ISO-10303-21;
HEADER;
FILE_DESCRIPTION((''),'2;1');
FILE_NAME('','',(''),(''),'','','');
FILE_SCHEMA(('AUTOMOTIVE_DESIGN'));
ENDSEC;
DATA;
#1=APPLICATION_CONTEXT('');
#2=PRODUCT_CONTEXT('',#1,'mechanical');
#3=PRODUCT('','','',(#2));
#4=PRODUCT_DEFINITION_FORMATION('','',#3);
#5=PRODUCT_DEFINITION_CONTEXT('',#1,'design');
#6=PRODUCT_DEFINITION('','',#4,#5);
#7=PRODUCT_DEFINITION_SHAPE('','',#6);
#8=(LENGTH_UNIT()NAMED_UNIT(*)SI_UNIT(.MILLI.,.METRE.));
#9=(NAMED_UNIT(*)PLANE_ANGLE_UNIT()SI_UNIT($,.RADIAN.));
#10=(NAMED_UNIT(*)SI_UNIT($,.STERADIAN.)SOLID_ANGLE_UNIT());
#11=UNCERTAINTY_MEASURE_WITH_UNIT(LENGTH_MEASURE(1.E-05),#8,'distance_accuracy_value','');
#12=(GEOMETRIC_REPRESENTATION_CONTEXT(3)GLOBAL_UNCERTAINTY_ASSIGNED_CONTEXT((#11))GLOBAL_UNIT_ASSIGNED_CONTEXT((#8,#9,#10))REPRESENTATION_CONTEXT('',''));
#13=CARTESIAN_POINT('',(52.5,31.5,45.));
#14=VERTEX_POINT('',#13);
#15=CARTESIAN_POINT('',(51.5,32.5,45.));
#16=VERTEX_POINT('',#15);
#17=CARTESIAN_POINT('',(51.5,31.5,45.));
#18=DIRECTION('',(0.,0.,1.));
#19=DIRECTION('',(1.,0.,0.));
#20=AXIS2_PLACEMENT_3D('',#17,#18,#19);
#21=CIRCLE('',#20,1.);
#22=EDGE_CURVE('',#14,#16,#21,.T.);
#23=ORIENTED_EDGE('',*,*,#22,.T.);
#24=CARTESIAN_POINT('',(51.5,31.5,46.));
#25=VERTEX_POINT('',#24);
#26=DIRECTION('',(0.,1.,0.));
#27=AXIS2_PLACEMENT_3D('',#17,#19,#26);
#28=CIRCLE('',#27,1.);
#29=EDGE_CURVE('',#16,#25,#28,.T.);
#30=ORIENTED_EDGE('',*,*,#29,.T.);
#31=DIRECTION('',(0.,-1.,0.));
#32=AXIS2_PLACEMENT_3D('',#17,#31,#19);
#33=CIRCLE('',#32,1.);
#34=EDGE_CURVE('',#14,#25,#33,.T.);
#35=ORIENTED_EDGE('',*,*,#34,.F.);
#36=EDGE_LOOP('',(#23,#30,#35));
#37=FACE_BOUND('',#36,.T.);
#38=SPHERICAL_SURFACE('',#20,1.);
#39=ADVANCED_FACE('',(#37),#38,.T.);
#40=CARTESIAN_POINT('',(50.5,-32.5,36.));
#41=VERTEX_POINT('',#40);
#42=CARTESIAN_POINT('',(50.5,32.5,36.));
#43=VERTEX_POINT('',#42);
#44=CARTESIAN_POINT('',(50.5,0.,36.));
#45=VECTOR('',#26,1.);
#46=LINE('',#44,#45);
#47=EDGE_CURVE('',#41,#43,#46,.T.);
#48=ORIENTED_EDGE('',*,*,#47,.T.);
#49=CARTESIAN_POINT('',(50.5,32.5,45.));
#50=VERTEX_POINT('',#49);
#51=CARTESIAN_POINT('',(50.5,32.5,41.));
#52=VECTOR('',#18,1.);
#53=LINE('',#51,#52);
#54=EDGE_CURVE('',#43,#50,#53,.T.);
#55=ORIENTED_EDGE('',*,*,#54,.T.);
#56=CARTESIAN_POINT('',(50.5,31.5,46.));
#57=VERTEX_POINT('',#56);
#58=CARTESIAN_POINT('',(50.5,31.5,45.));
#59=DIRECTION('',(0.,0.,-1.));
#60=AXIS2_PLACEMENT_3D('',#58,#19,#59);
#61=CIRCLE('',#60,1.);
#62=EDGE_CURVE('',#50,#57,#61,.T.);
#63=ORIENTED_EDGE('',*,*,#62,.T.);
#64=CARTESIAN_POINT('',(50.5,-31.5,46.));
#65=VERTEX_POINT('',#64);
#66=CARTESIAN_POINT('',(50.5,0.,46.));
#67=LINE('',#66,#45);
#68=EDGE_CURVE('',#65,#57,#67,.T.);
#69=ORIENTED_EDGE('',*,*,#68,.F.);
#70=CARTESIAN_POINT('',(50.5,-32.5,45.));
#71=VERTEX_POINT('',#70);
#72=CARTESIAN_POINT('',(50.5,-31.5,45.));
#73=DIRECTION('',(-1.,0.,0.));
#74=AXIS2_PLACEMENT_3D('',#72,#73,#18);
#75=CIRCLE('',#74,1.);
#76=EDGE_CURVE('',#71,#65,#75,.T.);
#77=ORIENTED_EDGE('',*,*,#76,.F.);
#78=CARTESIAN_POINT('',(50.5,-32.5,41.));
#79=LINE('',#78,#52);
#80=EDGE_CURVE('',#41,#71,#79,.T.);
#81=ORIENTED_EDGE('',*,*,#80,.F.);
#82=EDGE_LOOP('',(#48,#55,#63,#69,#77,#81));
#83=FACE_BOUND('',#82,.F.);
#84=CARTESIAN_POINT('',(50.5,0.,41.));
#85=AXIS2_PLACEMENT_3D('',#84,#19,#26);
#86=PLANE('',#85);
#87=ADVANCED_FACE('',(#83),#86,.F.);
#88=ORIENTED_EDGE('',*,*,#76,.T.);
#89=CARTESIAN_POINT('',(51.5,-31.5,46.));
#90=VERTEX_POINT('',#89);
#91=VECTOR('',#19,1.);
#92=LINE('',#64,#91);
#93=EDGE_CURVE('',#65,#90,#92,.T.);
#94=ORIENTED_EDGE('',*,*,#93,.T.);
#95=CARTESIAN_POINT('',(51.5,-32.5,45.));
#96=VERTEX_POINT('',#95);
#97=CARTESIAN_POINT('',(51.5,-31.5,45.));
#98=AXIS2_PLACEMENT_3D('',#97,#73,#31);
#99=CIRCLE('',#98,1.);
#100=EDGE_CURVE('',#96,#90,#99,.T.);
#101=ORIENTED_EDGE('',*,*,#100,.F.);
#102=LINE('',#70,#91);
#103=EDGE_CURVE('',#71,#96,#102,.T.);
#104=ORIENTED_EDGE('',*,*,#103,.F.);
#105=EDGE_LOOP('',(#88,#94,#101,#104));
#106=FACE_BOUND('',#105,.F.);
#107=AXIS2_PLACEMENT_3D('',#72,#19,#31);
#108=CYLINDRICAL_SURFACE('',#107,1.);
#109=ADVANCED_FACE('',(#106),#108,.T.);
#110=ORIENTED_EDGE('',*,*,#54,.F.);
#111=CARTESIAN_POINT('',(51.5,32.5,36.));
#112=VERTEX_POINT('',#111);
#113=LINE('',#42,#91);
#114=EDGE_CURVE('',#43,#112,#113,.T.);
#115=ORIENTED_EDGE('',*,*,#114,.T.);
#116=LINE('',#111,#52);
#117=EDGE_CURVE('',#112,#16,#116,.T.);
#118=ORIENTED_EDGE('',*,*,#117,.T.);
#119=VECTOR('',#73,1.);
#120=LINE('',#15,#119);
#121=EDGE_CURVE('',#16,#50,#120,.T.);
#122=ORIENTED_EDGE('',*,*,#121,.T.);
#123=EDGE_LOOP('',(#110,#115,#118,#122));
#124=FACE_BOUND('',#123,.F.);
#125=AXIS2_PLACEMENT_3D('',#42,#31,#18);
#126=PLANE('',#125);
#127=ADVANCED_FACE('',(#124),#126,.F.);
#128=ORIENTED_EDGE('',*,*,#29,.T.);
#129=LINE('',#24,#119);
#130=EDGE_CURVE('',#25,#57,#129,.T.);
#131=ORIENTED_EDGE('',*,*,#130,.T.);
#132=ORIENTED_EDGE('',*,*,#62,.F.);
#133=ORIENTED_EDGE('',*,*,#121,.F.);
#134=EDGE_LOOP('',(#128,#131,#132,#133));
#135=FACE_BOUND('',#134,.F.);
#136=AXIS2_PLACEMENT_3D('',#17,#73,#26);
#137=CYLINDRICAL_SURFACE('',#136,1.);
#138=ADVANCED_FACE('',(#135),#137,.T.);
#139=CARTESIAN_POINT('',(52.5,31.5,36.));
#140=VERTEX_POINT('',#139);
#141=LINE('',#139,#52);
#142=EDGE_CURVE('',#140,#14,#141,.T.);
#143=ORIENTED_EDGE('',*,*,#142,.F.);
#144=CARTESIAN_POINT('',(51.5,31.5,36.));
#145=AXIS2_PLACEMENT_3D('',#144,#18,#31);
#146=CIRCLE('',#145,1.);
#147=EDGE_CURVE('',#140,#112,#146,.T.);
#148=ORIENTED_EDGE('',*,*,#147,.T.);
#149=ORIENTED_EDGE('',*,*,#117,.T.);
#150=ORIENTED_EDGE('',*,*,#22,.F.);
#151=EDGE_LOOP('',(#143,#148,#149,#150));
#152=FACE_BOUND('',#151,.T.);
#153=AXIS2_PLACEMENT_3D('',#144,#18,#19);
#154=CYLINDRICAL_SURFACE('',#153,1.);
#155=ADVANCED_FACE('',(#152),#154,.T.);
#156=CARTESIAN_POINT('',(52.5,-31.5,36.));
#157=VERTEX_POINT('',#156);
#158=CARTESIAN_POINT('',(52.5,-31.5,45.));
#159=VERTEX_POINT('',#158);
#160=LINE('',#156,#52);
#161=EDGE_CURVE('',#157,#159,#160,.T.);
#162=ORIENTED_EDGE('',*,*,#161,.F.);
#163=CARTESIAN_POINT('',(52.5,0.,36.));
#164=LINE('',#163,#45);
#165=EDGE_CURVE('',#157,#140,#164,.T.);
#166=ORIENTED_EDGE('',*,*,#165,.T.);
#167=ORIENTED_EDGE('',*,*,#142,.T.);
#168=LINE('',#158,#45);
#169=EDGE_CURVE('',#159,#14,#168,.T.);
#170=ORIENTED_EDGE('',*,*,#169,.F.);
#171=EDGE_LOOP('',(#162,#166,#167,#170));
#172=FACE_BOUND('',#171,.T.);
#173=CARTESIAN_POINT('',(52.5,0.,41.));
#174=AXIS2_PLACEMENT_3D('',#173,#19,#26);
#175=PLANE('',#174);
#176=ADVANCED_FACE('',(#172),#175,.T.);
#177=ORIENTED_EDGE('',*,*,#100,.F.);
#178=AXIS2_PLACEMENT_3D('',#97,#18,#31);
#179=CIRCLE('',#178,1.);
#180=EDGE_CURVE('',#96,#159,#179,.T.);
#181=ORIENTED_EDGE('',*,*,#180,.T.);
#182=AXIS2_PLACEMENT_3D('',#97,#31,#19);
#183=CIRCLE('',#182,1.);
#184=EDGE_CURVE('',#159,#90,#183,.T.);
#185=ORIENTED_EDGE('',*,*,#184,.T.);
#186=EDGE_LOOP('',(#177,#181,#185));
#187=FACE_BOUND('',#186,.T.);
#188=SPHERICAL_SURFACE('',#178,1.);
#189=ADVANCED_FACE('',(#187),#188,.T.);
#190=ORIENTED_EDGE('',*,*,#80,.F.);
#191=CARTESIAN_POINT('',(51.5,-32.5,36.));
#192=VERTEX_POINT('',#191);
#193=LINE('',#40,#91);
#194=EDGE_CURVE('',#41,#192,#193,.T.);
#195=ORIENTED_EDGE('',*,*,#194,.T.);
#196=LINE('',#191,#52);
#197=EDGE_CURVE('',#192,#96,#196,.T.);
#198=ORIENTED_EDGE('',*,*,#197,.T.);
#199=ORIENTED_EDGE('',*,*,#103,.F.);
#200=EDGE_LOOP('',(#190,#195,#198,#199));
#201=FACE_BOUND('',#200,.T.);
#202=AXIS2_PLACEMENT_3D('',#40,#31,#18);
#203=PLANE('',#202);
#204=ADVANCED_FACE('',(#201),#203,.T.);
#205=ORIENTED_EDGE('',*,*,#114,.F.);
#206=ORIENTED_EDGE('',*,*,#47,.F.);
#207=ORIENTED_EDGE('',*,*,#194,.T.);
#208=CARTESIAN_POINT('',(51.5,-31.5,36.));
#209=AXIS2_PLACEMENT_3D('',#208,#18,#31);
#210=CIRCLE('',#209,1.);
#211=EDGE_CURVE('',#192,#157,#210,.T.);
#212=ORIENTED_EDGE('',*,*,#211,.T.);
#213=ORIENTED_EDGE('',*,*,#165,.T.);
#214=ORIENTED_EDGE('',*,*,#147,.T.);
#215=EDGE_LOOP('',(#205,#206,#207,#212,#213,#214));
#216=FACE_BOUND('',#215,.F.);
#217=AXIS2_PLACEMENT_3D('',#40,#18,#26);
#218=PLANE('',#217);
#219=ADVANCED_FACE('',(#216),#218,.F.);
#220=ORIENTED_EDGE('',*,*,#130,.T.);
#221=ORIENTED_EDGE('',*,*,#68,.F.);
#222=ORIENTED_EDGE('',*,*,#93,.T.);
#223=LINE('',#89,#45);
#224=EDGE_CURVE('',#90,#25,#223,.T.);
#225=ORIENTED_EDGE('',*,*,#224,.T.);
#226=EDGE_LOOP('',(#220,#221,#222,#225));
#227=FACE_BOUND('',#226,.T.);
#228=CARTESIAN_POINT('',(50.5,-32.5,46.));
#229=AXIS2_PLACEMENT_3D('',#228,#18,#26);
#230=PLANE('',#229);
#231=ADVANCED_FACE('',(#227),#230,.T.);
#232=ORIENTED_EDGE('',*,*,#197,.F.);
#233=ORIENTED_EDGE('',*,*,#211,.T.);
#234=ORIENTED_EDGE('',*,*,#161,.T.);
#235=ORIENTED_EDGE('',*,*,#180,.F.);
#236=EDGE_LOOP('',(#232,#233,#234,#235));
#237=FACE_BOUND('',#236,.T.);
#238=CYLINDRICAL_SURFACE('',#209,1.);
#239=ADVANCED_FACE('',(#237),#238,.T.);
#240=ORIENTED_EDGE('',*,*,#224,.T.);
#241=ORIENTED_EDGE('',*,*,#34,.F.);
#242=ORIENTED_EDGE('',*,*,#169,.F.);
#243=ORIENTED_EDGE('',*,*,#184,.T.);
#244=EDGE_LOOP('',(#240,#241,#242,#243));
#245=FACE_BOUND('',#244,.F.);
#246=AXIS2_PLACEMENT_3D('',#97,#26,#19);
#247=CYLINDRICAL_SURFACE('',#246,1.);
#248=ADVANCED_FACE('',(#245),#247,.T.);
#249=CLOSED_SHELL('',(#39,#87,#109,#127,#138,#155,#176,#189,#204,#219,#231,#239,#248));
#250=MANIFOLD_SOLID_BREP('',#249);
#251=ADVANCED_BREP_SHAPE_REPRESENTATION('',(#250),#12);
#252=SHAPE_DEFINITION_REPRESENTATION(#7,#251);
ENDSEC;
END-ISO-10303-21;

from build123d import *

# Parameters (mm, degrees)
SKETCH010_W  = 65
SKETCH010_H  = 10
PAD009_DEPTH = 2
FILLET007_R  = 1
FILLET011_R  = 1
FILLET025_R  = 1


with BuildPart() as part:
    # Sketch010 → Pad009 (new body)
    with BuildSketch(Plane.YZ):
        with Locations((0, 5)):
            Rectangle(SKETCH010_W, SKETCH010_H)
    extrude(amount=PAD009_DEPTH)

    # Fillet007
    fillet007_edges = [part.edges().sort_by_distance(p)[0] for p in [
        (2, -32.5, 5),
    ]]
    fillet(fillet007_edges, radius=FILLET007_R)

    # Fillet011
    fillet011_edges = [part.edges().sort_by_distance(p)[0] for p in [
        (2, 32.5, 5),
    ]]
    fillet(fillet011_edges, radius=FILLET011_R)

    # Fillet025
    fillet025_edges = [part.edges().sort_by_distance(p)[0] for p in [
        (2, 0, 10),
    ]]
    fillet(fillet025_edges, radius=FILLET025_R)


with BuildPart() as part_1:
    # Body009 placement: moved
    add(part.part.moved(Location((50.5, 0, 36))))


solid = part_1.part
